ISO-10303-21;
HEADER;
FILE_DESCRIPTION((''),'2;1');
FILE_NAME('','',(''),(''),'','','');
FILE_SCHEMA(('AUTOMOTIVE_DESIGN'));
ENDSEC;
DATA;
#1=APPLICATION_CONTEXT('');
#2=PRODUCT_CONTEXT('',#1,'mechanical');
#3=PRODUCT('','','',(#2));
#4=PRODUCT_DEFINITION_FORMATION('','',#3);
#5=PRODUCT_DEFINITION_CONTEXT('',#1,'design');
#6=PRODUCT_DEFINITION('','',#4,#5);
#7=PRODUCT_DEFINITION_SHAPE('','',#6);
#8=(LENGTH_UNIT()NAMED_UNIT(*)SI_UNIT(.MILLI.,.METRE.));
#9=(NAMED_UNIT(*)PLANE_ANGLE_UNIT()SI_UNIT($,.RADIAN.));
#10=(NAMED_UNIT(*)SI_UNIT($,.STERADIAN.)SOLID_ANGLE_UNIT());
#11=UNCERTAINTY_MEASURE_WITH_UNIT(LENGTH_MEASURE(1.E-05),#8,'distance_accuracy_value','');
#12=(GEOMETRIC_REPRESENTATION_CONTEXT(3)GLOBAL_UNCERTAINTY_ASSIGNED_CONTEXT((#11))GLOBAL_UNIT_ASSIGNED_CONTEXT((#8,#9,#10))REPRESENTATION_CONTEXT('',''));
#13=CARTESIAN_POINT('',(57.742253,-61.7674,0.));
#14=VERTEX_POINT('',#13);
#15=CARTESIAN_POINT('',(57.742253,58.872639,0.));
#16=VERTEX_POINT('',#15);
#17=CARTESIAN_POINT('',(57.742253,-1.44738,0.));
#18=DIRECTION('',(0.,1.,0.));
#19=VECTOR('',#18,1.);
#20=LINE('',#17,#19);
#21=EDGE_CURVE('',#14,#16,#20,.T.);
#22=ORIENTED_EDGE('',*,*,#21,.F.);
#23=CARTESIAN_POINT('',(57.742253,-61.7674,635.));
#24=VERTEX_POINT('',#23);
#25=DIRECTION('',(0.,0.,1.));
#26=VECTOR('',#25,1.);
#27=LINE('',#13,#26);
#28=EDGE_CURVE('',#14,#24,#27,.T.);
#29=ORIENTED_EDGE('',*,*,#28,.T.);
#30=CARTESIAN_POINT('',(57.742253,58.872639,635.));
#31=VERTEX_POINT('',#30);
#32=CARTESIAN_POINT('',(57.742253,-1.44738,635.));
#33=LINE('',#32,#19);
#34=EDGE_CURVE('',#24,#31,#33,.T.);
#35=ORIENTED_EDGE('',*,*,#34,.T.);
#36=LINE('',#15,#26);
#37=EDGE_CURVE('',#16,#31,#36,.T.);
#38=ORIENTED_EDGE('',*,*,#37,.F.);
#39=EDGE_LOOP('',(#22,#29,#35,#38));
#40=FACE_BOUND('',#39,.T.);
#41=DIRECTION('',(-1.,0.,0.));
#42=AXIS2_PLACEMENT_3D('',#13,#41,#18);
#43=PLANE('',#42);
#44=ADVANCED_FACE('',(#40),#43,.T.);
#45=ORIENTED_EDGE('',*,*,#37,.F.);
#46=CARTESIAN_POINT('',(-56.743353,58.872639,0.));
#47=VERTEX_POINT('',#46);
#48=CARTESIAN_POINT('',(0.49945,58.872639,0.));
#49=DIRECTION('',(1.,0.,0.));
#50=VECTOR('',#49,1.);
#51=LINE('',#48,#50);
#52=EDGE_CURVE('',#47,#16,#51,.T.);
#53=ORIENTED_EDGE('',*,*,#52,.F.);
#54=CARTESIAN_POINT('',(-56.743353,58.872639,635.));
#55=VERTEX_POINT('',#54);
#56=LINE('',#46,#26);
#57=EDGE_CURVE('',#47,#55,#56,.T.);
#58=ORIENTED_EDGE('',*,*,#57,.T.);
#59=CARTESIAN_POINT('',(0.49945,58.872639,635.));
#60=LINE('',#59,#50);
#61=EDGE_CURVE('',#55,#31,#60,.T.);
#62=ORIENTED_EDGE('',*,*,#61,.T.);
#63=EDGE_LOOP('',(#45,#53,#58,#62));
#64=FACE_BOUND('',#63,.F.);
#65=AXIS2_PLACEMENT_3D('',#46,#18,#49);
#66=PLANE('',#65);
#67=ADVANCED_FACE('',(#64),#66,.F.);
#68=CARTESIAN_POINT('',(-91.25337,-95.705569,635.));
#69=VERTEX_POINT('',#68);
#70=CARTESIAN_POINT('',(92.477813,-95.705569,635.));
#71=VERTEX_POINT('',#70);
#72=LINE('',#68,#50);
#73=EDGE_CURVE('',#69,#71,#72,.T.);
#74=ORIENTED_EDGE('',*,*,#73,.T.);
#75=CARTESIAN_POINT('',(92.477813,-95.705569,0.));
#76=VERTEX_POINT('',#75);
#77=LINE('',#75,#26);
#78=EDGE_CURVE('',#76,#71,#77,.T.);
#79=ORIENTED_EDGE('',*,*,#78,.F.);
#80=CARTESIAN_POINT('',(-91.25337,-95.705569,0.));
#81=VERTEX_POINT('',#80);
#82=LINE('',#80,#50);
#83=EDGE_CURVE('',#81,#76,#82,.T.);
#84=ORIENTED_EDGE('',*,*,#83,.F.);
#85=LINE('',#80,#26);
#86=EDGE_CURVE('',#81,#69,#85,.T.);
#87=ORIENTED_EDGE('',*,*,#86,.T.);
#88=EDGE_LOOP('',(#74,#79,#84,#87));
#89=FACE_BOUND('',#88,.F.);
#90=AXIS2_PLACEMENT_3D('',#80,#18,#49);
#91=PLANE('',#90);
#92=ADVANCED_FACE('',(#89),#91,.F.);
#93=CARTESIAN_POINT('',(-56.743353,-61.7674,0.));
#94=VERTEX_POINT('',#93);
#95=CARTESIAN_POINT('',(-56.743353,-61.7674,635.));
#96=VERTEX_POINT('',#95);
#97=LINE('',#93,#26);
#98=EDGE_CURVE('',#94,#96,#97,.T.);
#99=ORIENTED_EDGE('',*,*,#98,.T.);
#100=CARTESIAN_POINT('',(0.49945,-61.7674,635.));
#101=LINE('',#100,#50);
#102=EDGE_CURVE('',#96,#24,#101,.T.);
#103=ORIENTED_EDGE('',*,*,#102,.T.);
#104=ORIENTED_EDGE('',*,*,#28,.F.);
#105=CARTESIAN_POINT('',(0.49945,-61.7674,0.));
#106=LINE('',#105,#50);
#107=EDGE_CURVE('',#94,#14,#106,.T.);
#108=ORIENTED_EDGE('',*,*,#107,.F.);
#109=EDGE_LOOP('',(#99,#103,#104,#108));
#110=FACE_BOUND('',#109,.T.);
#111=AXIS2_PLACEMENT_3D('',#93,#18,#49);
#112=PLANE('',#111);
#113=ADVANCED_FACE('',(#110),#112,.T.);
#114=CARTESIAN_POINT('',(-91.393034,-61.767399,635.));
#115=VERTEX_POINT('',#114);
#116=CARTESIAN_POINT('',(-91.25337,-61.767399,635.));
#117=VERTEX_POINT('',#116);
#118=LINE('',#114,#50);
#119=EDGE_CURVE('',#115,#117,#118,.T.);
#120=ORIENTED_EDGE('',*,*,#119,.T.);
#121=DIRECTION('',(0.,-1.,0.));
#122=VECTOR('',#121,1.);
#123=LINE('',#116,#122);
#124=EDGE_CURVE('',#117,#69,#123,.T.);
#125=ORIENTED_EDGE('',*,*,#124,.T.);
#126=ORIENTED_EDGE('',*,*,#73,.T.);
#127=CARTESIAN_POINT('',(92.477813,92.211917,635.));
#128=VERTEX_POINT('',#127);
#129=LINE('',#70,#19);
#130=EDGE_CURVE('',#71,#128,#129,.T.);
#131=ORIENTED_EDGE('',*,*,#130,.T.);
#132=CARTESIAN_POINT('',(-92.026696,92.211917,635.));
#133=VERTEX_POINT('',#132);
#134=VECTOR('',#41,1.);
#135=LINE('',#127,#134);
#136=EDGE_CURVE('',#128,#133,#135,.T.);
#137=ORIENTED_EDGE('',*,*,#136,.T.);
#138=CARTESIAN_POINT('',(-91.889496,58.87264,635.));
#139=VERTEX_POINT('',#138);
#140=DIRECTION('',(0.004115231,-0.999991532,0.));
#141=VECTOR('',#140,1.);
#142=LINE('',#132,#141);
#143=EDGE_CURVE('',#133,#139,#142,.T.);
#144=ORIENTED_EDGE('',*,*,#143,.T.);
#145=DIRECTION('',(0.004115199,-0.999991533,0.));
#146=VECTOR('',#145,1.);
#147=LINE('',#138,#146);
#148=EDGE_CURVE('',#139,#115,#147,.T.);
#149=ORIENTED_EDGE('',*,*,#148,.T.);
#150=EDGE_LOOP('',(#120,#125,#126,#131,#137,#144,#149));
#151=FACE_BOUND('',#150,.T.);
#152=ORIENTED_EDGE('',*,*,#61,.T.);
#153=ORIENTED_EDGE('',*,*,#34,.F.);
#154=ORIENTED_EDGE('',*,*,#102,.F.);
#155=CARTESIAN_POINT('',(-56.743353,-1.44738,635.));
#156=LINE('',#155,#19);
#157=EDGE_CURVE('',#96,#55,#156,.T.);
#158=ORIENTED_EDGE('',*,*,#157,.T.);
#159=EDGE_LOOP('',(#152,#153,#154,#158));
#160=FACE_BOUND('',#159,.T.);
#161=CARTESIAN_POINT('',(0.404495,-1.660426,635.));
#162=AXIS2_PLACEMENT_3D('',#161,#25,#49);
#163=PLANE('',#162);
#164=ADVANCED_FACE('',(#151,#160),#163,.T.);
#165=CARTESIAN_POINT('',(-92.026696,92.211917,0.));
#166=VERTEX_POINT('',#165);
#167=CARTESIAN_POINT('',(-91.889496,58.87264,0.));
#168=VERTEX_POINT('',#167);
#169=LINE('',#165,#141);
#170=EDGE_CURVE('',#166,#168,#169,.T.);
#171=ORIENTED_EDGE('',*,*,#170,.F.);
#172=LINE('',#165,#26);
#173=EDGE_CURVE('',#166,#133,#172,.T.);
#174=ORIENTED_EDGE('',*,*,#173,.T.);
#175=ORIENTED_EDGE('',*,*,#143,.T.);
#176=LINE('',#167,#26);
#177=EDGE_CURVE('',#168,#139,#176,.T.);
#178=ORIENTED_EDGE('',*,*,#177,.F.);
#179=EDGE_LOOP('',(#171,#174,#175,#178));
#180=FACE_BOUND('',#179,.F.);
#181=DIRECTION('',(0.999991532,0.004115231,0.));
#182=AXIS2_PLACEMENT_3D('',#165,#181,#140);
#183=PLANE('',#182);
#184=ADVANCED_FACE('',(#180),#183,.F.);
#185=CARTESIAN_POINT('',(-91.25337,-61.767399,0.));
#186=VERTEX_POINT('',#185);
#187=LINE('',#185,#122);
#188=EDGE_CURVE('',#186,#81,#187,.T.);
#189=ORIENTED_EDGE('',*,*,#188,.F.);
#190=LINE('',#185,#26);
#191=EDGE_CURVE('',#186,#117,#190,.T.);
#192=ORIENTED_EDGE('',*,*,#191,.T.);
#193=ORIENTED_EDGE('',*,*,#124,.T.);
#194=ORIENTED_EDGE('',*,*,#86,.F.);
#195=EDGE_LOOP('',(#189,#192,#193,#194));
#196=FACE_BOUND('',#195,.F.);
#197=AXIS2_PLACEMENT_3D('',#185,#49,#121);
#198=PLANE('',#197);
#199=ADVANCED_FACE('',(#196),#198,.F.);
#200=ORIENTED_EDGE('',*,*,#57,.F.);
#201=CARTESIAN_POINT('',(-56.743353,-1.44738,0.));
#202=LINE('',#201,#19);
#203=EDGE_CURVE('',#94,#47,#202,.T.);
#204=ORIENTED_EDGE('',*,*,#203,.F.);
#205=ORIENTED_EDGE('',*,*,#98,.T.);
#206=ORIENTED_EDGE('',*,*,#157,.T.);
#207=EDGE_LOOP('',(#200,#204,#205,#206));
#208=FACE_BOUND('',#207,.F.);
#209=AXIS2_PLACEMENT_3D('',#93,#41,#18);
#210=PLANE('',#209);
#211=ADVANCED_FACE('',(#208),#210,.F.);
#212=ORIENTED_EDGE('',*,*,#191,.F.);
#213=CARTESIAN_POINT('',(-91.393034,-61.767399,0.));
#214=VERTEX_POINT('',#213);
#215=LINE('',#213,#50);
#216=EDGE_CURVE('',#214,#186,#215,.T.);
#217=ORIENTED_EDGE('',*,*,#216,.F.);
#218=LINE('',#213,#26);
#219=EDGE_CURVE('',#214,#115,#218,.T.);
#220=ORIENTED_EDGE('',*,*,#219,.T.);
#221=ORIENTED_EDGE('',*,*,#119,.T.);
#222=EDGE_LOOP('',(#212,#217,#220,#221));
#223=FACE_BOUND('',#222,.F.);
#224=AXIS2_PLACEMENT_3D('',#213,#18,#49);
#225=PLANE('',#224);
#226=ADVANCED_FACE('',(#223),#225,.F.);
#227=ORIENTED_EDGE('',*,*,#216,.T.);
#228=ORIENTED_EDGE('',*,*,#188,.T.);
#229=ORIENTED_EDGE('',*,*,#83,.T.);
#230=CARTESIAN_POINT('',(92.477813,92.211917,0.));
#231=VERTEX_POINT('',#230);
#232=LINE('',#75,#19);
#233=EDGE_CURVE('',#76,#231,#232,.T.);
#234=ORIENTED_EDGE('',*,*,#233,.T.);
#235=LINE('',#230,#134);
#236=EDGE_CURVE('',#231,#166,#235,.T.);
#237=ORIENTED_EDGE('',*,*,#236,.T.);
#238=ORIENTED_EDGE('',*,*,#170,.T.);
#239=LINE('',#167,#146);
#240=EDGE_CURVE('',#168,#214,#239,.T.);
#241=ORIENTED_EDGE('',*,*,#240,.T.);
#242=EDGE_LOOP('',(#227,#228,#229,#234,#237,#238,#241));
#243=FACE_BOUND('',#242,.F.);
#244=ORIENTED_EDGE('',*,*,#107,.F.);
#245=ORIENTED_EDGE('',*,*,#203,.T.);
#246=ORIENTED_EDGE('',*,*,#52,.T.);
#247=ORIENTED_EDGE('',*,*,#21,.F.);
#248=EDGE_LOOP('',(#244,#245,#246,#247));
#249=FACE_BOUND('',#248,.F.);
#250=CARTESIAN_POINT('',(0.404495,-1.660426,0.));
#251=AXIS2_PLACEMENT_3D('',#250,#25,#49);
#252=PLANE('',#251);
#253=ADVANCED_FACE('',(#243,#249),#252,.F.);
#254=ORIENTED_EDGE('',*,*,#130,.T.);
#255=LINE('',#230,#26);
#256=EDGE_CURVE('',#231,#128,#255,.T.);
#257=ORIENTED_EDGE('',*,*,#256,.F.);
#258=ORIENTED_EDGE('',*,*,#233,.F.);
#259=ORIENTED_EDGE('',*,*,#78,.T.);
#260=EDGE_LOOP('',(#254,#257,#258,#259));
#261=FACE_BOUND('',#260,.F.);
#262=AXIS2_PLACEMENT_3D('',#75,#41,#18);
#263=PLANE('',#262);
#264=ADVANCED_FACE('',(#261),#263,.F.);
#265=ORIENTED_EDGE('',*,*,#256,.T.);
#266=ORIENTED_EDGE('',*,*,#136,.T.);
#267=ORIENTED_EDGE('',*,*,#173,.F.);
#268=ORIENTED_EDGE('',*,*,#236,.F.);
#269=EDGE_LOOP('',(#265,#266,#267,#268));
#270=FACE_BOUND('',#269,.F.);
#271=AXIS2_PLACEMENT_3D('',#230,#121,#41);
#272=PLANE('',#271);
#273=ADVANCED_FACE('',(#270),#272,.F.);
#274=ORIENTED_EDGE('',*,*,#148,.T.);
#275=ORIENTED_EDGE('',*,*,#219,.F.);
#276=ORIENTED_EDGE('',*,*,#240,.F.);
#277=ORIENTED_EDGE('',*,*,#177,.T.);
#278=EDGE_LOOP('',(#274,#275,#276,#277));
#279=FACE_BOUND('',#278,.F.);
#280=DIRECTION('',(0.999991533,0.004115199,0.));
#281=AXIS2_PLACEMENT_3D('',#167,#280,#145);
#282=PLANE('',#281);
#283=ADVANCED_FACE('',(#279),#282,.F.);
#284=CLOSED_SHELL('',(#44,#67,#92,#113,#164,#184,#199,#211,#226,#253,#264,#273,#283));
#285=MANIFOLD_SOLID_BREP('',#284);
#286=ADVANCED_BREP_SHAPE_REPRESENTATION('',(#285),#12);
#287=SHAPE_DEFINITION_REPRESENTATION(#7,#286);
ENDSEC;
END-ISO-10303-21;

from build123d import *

# Parameters (mm, degrees)
F0_W     = 114.485607
F0_H     = 120.640039
F1_DEPTH = 635


with BuildPart() as f1:
    # F0 (on Top) → F1 (new body)
    with BuildSketch(Plane.XY):
        Polygon((-56.743354, 92.211917), (-92.026696, 92.211917), (-91.889496, 58.87264), (-91.393034, -61.767399), (-91.25337, -61.767399), (-91.25337, -95.705569), (92.477813, -95.705569), (92.477813, -61.767399), (92.477813, 58.87264), (92.477813, 92.211917), align=None)
        with Locations((0.49945, -1.44738)):
            Rectangle(F0_W, F0_H, mode=Mode.SUBTRACT)
    extrude(amount=F1_DEPTH)


solid = f1.part
